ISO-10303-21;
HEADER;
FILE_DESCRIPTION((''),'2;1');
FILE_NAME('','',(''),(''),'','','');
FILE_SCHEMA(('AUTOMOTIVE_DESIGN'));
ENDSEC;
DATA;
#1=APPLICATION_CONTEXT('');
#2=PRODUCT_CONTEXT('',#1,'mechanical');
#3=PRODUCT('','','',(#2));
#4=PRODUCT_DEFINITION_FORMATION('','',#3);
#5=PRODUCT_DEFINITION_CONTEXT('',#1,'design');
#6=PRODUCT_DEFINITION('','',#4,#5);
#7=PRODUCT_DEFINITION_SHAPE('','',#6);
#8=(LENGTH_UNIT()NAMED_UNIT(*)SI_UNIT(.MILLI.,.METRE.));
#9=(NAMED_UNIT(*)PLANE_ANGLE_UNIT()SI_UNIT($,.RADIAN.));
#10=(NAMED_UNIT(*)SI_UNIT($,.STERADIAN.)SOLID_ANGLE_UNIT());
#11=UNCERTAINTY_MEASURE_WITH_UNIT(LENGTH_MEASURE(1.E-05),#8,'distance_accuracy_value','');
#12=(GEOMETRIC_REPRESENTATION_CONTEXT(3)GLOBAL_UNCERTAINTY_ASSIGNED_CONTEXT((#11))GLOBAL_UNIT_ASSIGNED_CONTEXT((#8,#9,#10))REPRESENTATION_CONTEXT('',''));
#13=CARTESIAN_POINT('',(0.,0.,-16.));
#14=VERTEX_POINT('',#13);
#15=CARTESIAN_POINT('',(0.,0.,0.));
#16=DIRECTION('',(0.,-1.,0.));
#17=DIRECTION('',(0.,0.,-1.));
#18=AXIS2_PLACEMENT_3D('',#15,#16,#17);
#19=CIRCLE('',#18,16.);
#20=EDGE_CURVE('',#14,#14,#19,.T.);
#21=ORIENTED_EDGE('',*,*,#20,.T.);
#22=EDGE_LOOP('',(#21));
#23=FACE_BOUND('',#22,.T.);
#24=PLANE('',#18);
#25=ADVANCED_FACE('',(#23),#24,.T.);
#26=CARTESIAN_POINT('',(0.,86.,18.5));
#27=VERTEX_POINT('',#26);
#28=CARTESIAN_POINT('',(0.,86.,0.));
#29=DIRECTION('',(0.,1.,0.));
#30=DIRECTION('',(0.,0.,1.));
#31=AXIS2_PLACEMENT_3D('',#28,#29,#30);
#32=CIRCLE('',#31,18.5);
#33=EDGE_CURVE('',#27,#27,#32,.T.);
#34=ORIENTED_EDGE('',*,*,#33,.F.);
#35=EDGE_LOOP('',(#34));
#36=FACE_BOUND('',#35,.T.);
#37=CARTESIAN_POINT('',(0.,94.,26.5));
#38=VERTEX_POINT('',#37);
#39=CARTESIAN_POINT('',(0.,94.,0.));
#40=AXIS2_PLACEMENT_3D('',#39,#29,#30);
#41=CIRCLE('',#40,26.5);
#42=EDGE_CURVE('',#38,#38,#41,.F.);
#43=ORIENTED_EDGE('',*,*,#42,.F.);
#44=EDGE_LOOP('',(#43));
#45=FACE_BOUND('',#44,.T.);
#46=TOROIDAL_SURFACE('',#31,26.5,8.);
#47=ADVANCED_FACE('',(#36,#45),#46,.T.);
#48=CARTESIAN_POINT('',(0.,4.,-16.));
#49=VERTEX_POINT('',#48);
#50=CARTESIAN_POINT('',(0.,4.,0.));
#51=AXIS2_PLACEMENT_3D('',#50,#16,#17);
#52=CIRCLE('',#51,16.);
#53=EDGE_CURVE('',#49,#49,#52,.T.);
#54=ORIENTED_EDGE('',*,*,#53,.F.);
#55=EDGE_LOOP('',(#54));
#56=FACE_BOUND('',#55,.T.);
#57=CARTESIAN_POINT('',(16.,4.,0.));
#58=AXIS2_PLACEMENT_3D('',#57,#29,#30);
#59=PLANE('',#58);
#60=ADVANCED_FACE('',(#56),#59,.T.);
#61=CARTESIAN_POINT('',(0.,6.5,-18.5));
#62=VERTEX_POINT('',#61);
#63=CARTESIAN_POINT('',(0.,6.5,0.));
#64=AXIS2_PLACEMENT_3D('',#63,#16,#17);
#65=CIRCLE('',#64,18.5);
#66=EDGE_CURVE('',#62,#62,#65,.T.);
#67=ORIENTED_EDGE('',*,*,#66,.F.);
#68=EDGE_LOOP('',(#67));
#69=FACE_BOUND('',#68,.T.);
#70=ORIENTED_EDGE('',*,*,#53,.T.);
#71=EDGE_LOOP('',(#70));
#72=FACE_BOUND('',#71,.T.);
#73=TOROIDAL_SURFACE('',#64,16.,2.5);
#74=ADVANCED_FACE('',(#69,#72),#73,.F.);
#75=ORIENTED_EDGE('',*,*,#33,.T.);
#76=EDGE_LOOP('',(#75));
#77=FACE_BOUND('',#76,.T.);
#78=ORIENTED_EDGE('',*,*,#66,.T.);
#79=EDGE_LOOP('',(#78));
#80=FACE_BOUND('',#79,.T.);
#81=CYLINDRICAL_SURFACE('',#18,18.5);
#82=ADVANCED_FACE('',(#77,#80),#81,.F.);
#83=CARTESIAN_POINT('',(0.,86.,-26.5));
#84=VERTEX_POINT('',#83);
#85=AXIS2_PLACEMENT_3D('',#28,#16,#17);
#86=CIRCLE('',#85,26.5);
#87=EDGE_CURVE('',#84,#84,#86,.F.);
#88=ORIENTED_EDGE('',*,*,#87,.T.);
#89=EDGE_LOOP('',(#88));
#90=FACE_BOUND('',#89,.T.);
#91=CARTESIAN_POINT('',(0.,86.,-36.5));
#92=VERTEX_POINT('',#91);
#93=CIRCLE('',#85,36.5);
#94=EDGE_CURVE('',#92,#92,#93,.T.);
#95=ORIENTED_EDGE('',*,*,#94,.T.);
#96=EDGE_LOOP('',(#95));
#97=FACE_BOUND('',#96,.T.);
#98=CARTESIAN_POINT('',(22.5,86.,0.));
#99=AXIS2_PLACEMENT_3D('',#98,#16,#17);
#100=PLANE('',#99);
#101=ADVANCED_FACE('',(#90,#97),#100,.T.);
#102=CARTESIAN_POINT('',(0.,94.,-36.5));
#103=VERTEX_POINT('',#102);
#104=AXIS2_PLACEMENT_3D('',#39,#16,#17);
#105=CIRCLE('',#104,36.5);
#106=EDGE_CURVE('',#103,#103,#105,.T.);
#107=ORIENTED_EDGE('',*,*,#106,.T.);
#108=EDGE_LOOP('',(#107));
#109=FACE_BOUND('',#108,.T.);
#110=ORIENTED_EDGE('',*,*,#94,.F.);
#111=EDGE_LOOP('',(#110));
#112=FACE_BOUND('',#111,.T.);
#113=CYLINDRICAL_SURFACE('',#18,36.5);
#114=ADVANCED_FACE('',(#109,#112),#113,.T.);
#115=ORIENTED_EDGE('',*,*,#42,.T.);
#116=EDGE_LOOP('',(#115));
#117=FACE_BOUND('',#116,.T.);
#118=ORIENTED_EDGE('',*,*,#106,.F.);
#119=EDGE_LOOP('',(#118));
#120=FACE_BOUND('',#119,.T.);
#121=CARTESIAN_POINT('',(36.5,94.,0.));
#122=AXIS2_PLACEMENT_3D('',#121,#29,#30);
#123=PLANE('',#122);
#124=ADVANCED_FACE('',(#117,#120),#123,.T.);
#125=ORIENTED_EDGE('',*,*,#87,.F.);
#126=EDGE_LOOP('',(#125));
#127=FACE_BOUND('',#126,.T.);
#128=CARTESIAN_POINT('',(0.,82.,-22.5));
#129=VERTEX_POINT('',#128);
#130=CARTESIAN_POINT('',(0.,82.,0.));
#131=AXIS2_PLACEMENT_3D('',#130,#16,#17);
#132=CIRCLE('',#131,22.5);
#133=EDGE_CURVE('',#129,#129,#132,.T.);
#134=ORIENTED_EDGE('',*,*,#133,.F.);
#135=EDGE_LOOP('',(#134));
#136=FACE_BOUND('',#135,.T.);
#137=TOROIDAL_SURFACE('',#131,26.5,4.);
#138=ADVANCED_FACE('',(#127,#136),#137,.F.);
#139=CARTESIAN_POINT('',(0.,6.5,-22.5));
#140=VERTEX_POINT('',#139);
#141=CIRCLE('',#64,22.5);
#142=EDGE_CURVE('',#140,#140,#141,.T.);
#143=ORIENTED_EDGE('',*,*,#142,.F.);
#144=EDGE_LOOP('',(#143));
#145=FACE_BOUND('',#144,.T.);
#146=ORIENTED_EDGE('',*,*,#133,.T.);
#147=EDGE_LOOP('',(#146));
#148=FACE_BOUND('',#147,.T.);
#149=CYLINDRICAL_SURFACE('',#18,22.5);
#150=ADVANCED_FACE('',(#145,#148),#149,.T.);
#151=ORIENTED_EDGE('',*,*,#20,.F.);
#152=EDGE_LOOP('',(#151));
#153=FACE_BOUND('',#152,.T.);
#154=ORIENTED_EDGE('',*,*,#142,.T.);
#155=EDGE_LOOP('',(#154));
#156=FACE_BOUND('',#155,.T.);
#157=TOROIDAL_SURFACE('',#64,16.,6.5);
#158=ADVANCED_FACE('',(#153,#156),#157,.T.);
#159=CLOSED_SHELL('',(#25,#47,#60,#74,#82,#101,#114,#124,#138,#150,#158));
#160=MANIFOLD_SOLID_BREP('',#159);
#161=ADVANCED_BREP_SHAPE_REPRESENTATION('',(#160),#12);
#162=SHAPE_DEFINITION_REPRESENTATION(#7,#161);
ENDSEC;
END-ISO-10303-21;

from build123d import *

# Parameters (mm, degrees)
FILLET1_R = 4
FILLET2_R = 8


with BuildPart() as part:
    # Sketch1 → Revolve1 (revolve)
    with BuildSketch(Plane.XY, mode=Mode.PRIVATE) as revolve1_sk:
        with BuildLine():
            Line((22.5, 86), (22.5, 6.5))
            ThreePointArc((22.5, 6.5), (20.596194078, 1.903805922), (16, 0))
            Line((16, 0), (0, 0))
            Line((0, 0), (0, 4))
            Line((0, 4), (16, 4))
            ThreePointArc((16, 4), (17.767766953, 4.732233047), (18.5, 6.5))
            Line((18.5, 6.5), (18.5, 94))
            Line((18.5, 94), (36.5, 94))
            Line((36.5, 94), (36.5, 86))
            Line((36.5, 86), (22.5, 86))
        make_face()
    revolve(revolve1_sk.sketch.rotate(Axis((0, 0, 0), (0, 1, 0)), 90), axis=Axis((0, 0, 0), (0, 1, 0)))

    # Fillet1
    fillet1_edges = [part.edges().sort_by_distance(p)[0] for p in [
        (0, 86, 22.5),
    ]]
    fillet(fillet1_edges, radius=FILLET1_R)

    # Fillet2
    fillet2_edges = [part.edges().sort_by_distance(p)[0] for p in [
        (0, 94, 18.5),
    ]]
    fillet(fillet2_edges, radius=FILLET2_R)


solid = part.part
